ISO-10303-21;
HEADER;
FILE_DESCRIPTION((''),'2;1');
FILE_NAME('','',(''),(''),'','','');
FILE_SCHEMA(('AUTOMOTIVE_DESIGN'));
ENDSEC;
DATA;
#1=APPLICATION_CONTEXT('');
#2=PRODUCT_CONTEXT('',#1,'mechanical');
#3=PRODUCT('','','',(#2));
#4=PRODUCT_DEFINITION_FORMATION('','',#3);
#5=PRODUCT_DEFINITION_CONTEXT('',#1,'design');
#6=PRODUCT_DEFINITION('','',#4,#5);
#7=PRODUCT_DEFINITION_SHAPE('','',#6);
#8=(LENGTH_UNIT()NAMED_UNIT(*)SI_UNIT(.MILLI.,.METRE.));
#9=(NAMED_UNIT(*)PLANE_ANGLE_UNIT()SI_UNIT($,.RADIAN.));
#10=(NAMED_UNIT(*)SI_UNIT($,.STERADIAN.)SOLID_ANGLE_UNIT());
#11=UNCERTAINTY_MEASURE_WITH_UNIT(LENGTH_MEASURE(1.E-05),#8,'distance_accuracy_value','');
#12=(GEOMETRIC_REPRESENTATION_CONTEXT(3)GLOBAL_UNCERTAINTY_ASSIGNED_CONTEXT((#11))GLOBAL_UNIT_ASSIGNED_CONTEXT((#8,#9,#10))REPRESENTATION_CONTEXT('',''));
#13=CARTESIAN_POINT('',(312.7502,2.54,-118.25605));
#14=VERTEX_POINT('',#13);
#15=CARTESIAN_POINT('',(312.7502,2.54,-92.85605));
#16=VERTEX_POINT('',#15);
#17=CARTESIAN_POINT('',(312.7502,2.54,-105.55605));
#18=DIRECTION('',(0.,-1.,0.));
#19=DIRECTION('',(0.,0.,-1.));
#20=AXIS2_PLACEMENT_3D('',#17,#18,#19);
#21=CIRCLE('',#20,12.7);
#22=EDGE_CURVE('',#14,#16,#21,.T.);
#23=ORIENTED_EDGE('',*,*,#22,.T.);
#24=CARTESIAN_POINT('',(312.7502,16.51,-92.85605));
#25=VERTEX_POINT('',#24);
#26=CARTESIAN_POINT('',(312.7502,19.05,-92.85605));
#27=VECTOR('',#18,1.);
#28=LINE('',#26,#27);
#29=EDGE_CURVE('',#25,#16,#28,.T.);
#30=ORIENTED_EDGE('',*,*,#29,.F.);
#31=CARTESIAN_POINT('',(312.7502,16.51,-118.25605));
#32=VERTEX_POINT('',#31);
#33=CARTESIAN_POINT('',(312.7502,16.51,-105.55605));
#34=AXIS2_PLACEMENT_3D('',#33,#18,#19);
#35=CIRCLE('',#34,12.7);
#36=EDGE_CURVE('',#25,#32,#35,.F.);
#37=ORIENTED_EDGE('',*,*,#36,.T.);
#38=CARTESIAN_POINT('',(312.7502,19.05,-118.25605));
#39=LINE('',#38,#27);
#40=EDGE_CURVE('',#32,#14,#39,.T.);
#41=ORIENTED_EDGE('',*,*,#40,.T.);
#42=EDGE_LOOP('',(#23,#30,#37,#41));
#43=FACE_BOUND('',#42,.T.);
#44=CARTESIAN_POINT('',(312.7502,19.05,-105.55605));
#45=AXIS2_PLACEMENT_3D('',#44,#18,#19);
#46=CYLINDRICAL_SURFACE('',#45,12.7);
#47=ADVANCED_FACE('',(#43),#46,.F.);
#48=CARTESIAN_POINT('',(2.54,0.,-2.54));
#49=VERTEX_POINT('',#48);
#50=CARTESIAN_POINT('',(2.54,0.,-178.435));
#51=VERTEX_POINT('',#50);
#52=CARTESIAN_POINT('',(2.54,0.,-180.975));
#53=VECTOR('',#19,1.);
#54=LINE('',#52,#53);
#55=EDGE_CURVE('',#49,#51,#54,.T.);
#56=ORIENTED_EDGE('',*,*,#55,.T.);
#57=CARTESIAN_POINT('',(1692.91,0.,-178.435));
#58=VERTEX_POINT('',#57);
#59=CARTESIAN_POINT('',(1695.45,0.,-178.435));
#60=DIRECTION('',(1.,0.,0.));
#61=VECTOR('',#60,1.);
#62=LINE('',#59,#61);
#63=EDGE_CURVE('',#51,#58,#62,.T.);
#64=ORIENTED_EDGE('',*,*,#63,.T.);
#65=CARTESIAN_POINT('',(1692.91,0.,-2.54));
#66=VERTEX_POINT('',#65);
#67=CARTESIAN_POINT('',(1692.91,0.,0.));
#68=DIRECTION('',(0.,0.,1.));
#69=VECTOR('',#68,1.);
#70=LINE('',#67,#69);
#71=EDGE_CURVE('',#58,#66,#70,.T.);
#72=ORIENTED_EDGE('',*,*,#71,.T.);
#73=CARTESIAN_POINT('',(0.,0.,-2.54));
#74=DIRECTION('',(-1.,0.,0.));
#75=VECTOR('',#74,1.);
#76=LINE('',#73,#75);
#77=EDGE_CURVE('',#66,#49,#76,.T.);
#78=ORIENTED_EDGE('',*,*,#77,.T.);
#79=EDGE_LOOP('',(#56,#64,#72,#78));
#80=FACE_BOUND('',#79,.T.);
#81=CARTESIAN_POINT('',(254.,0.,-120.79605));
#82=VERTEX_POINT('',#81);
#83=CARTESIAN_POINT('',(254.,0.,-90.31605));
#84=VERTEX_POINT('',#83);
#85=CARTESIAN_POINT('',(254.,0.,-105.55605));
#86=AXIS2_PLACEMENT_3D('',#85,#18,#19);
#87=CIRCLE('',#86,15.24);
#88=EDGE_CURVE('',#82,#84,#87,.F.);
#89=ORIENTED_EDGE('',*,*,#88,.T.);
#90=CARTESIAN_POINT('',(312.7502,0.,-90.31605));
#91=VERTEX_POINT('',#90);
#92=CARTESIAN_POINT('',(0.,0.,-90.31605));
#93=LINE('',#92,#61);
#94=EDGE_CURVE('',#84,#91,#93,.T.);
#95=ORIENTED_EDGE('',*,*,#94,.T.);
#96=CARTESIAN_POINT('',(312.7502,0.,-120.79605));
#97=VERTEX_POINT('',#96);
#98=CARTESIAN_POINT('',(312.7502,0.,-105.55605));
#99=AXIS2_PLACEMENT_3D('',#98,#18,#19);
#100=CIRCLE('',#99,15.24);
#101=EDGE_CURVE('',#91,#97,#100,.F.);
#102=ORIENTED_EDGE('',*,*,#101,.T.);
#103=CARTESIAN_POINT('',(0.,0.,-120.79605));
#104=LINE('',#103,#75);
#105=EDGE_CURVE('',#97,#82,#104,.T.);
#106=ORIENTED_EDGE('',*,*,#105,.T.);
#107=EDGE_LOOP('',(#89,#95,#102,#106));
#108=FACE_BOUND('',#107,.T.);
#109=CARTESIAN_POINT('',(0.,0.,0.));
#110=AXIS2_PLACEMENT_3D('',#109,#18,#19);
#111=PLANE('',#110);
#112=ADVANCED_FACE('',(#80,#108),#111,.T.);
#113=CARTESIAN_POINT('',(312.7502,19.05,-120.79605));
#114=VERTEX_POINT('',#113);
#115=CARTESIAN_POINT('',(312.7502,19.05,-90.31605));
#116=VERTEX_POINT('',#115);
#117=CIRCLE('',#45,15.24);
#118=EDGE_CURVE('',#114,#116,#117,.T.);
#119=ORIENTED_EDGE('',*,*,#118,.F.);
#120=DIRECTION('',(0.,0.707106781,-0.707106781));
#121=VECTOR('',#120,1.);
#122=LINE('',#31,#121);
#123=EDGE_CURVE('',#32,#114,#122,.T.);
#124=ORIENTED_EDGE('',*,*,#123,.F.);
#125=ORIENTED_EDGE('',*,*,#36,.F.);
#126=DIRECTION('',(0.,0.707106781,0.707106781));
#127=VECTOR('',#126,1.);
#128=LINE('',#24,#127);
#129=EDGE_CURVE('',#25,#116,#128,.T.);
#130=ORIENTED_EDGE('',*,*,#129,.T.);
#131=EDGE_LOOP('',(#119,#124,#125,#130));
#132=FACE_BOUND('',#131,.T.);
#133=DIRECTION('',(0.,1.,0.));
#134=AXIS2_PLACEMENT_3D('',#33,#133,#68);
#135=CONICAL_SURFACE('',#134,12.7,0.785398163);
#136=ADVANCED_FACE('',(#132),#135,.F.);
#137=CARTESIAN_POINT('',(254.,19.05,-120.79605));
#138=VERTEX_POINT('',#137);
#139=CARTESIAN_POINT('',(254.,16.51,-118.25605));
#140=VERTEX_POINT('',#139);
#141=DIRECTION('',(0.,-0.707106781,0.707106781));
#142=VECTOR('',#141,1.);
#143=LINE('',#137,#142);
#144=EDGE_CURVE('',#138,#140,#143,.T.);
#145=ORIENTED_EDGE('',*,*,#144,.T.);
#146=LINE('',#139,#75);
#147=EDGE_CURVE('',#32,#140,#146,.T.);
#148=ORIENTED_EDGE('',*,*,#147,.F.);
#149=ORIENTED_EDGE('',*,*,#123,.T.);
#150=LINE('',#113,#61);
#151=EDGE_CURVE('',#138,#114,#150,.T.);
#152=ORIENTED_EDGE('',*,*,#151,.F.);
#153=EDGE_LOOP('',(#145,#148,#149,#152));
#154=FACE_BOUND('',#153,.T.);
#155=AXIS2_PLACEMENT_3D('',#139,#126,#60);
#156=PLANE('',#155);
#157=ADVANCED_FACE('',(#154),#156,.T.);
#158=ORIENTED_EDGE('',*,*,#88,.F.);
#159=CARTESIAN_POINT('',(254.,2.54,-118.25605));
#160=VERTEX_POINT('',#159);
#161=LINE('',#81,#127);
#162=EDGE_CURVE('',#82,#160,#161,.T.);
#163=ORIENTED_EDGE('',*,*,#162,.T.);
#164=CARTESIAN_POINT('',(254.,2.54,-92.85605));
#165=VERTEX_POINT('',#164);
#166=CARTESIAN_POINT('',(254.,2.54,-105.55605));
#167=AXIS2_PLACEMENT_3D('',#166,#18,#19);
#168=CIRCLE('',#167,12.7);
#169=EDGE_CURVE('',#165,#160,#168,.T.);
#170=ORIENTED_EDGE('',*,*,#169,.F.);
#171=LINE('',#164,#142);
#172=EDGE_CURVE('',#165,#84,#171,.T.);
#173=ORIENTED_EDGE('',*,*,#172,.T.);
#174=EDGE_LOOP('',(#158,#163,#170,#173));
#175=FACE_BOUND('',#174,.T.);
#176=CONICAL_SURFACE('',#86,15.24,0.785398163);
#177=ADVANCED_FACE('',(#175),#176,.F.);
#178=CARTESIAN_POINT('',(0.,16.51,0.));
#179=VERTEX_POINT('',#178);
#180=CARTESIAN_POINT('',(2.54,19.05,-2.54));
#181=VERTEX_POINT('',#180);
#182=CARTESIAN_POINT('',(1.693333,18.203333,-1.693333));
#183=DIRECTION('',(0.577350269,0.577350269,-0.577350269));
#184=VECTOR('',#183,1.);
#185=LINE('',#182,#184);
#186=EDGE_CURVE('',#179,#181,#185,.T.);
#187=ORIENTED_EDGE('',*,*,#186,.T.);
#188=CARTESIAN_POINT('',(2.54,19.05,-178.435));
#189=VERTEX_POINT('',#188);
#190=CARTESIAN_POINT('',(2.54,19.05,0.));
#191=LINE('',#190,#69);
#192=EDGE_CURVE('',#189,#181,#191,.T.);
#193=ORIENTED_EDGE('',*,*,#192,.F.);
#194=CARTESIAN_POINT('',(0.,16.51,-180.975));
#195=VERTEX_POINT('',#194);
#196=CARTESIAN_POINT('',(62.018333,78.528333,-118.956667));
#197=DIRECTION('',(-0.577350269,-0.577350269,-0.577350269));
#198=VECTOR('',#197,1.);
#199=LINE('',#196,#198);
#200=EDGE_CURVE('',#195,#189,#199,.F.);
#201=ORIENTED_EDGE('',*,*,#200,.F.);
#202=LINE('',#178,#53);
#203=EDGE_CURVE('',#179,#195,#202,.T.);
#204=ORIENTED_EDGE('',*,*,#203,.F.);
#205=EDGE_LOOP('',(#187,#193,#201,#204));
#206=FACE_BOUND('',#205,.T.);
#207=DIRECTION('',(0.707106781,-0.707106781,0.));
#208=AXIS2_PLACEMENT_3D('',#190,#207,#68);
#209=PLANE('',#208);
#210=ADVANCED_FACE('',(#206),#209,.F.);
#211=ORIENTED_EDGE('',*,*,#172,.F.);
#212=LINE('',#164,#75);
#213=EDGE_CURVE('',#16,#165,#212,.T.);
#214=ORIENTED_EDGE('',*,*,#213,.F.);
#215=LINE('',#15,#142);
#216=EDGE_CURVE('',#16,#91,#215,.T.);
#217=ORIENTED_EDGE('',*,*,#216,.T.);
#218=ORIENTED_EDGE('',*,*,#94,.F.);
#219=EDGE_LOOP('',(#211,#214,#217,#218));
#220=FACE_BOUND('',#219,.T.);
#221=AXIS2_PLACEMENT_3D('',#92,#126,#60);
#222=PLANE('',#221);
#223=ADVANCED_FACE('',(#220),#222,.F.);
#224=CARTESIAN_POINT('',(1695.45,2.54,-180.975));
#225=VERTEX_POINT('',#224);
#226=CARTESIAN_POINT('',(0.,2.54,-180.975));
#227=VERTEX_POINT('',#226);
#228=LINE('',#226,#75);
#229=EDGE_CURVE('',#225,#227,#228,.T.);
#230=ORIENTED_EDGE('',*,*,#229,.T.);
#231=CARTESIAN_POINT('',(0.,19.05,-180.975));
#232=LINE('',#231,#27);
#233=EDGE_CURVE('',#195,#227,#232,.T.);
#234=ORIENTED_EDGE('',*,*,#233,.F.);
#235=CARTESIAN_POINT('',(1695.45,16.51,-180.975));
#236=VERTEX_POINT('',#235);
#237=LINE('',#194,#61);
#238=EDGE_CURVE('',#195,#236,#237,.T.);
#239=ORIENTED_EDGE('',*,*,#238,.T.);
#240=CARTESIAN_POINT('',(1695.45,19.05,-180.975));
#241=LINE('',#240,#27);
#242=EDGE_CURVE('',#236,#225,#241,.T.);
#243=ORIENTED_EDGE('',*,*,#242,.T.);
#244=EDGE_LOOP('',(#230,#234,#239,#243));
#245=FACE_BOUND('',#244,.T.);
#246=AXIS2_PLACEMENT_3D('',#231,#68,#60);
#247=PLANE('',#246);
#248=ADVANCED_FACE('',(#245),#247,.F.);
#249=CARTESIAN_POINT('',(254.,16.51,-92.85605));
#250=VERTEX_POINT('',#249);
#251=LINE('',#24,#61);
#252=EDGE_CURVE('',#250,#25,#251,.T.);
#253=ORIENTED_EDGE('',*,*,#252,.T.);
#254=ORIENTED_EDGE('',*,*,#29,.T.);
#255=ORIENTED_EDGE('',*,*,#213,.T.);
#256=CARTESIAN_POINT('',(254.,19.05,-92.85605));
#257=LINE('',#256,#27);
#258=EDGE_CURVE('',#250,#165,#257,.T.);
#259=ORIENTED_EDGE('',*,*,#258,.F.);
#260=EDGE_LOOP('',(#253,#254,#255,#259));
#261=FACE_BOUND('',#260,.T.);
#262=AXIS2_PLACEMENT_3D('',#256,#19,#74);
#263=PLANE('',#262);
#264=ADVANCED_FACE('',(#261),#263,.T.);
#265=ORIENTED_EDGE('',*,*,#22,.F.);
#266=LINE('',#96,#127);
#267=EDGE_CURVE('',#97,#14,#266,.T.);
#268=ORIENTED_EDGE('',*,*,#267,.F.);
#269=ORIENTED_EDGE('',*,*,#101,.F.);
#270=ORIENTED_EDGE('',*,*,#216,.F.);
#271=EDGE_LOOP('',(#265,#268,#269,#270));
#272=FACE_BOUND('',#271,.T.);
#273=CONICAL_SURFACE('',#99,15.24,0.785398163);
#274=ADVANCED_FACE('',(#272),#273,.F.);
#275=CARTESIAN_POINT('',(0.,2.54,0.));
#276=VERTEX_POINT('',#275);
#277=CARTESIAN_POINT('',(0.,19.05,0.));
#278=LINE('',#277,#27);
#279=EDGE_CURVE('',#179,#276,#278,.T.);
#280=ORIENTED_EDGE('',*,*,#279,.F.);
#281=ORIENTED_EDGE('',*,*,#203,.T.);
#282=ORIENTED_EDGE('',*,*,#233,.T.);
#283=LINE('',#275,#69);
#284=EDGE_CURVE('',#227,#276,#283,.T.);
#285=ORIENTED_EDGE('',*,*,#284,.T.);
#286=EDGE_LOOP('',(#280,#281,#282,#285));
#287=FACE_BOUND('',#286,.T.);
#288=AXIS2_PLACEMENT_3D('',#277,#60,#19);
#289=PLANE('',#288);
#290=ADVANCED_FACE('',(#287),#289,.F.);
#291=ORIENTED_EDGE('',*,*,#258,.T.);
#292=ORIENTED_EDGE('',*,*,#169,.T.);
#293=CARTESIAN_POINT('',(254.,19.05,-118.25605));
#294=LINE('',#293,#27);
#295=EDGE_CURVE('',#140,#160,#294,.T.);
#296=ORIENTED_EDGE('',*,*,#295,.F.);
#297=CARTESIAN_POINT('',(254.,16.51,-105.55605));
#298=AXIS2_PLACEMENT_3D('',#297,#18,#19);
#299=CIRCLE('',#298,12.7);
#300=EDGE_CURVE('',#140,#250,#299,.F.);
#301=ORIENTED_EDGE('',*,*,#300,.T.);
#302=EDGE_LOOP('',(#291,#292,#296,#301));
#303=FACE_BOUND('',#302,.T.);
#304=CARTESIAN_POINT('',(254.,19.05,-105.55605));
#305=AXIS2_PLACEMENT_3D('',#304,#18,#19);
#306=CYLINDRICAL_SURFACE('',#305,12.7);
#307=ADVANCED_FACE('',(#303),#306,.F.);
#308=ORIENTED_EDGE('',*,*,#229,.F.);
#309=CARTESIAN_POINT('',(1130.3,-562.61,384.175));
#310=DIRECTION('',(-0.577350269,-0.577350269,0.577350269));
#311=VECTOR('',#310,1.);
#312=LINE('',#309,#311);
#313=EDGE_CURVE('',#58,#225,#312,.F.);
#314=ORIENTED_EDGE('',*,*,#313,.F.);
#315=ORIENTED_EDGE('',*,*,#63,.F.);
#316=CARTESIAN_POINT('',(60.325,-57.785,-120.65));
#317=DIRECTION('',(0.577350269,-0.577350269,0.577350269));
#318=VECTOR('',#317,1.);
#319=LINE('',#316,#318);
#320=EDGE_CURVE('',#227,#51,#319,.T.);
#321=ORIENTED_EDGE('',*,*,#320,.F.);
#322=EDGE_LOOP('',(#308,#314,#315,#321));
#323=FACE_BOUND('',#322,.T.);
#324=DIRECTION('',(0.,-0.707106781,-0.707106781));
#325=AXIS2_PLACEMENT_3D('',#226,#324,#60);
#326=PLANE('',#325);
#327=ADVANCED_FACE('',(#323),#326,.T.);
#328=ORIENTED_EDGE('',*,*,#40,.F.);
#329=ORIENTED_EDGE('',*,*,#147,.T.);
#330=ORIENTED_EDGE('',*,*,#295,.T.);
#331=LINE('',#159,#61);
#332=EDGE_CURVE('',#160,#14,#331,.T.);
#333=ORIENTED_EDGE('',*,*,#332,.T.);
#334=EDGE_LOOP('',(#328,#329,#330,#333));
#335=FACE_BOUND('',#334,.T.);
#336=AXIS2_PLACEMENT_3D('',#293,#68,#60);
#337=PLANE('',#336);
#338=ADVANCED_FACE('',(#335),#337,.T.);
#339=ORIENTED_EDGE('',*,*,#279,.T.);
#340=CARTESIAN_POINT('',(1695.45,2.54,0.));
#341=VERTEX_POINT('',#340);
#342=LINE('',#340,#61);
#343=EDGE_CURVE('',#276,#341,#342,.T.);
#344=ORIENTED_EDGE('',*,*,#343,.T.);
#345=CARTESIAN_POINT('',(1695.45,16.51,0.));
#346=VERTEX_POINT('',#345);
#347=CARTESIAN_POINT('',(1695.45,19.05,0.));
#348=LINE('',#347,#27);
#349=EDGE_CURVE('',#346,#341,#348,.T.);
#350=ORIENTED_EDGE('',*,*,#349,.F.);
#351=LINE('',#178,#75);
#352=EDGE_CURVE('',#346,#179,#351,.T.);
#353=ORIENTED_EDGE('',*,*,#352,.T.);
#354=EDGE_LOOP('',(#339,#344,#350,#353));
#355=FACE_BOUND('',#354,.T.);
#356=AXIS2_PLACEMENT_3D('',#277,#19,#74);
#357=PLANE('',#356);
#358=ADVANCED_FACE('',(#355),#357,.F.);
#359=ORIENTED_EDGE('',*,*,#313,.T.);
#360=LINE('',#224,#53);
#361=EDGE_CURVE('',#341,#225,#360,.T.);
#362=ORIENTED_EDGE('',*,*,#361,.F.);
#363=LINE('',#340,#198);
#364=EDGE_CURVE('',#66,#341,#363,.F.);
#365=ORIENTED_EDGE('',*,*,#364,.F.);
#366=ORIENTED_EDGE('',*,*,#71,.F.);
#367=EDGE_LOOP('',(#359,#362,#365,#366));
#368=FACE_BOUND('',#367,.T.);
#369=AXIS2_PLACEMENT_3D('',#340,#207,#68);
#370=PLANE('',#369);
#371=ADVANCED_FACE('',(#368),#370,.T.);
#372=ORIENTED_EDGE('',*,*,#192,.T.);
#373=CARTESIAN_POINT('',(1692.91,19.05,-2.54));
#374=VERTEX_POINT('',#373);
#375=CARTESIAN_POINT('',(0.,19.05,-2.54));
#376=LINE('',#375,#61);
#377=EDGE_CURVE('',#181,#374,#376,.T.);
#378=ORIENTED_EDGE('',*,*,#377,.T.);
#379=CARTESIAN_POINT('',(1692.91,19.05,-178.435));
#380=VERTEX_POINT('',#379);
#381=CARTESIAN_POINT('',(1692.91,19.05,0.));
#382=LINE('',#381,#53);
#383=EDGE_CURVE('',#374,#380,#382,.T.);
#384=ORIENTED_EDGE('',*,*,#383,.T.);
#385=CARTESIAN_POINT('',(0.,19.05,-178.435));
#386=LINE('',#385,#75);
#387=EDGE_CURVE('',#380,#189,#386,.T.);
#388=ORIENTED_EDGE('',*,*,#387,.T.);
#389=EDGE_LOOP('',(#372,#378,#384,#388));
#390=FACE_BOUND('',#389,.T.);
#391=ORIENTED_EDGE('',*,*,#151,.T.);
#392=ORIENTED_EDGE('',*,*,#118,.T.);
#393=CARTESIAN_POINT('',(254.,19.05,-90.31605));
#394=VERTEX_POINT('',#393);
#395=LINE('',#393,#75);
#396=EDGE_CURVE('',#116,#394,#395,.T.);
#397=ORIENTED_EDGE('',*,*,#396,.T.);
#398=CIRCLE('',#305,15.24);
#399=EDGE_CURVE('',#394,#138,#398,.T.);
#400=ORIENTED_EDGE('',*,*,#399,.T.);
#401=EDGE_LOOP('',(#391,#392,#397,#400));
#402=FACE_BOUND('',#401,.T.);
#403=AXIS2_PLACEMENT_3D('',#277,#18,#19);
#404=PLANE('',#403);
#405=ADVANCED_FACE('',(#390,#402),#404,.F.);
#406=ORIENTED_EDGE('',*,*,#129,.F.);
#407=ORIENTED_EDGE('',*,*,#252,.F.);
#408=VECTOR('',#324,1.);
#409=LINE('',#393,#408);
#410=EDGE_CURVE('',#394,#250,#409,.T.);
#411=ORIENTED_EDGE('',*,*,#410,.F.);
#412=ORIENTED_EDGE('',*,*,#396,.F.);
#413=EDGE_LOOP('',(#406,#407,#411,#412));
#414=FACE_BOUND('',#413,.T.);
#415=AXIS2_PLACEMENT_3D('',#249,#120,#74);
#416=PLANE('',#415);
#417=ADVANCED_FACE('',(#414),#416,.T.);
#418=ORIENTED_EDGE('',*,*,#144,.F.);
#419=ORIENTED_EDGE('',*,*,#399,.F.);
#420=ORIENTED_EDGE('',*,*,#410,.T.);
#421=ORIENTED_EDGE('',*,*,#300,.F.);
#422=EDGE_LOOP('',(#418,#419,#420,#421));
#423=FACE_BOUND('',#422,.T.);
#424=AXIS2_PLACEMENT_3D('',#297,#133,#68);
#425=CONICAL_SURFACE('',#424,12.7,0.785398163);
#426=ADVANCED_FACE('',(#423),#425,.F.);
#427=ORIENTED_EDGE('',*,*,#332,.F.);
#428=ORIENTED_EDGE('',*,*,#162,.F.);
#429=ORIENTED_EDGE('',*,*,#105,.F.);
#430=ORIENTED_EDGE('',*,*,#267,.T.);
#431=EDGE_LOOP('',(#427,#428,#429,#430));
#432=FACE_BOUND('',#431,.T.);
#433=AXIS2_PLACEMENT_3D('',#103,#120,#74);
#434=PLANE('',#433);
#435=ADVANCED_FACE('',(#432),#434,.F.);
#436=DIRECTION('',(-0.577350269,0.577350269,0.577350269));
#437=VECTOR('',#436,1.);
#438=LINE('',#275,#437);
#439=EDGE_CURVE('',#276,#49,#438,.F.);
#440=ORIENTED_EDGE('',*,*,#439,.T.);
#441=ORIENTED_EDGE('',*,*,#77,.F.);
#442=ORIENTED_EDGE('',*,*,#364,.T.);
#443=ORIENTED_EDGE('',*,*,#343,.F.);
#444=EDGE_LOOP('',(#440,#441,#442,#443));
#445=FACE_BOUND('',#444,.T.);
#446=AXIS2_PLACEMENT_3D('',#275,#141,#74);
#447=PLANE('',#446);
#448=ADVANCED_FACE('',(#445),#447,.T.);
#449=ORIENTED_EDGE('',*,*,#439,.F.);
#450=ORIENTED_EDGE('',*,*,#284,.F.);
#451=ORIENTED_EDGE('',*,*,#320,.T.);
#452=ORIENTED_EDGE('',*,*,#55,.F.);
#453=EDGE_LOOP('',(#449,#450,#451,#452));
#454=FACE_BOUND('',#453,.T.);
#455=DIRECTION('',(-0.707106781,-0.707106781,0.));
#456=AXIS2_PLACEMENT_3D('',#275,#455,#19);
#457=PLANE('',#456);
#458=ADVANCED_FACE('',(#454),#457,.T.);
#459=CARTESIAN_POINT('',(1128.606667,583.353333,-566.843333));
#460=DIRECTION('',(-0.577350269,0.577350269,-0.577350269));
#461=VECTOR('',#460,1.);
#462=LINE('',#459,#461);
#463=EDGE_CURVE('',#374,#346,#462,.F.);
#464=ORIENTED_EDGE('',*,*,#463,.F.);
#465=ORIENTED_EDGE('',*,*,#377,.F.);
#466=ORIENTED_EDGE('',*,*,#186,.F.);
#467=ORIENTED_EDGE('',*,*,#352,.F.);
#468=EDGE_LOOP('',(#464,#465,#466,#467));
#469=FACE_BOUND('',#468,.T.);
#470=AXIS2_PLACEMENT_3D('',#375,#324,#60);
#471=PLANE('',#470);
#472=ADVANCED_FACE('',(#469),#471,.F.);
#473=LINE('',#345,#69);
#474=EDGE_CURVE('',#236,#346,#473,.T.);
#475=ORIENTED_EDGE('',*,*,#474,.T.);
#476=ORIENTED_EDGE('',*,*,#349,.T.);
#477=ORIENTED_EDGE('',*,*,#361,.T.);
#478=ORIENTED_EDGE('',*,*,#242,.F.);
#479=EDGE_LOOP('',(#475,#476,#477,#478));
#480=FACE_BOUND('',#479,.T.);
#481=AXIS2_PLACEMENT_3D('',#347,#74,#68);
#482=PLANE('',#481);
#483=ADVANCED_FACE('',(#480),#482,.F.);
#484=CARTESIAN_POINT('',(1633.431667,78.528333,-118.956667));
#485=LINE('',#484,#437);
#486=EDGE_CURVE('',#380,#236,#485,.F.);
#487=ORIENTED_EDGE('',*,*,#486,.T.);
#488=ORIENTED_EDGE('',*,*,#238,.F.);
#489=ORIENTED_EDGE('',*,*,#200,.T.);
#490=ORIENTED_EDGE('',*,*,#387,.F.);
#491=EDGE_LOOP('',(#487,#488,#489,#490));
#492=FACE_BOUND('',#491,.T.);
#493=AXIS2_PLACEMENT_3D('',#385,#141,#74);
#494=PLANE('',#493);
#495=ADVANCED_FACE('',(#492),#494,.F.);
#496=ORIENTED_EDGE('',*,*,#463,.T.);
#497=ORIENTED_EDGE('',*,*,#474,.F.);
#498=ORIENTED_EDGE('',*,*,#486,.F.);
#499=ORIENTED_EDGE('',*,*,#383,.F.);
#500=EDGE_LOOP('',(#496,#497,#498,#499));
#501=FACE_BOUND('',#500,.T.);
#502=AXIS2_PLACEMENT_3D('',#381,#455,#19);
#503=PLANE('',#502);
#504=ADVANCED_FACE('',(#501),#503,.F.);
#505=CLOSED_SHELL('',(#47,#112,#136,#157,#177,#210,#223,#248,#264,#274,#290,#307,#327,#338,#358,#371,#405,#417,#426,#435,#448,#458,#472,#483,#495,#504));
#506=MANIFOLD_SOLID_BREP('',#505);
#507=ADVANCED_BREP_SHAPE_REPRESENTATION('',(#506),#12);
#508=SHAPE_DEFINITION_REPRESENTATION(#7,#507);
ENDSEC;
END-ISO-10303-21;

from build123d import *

# Parameters (mm, degrees)
SKETCH1_W           = 1695.45
SKETCH1_H           = 180.975
BOSS_EXTRUDE1_DEPTH = 19.05
CHAMFER1_SIZE       = 2.54
CHAMFER2_SIZE       = 2.54


with BuildPart() as part:
    # Sketch1 → Boss-Extrude1 (new body)
    with BuildSketch(Plane(origin=(0, 0, 0), x_dir=(1, 0, 0), z_dir=(0, 1, 0))):
        with Locations((847.725, 90.4875)):
            Rectangle(SKETCH1_W, SKETCH1_H)
        with BuildLine():
            Line((254, 118.25605), (312.7502, 118.25605))
            ThreePointArc((312.7502, 118.25605), (325.4502, 105.55605), (312.7502, 92.85605))
            Line((312.7502, 92.85605), (254, 92.85605))
            ThreePointArc((254, 92.85605), (241.3, 105.55605), (254, 118.25605))
        make_face(mode=Mode.SUBTRACT)
    extrude(amount=BOSS_EXTRUDE1_DEPTH)

    # Chamfer1
    chamfer1_edges = [part.edges().sort_by_distance(p)[0] for p in [
        (1695.45, 19.05, -90.4875),
        (325.4502, 19.05, -105.55605),
        (847.725, 19.05, -180.975),
        (283.3751, 19.05, -118.25605),
        (241.3, 19.05, -105.55605),
        (283.3751, 19.05, -92.85605),
        (0, 19.05, -90.4875),
        (847.725, 19.05, 0),
    ]]
    chamfer(chamfer1_edges, length=CHAMFER1_SIZE)

    # Chamfer2
    chamfer2_edges = [part.edges().sort_by_distance(p)[0] for p in [
        (325.4502, 0, -105.55605),
        (283.3751, 0, -118.25605),
        (241.3, 0, -105.55605),
        (283.3751, 0, -92.85605),
        (847.725, 0, -180.975),
        (1695.45, 0, -90.4875),
        (847.725, 0, 0),
        (0, 0, -90.4875),
    ]]
    chamfer(chamfer2_edges, length=CHAMFER2_SIZE)


solid = part.part
